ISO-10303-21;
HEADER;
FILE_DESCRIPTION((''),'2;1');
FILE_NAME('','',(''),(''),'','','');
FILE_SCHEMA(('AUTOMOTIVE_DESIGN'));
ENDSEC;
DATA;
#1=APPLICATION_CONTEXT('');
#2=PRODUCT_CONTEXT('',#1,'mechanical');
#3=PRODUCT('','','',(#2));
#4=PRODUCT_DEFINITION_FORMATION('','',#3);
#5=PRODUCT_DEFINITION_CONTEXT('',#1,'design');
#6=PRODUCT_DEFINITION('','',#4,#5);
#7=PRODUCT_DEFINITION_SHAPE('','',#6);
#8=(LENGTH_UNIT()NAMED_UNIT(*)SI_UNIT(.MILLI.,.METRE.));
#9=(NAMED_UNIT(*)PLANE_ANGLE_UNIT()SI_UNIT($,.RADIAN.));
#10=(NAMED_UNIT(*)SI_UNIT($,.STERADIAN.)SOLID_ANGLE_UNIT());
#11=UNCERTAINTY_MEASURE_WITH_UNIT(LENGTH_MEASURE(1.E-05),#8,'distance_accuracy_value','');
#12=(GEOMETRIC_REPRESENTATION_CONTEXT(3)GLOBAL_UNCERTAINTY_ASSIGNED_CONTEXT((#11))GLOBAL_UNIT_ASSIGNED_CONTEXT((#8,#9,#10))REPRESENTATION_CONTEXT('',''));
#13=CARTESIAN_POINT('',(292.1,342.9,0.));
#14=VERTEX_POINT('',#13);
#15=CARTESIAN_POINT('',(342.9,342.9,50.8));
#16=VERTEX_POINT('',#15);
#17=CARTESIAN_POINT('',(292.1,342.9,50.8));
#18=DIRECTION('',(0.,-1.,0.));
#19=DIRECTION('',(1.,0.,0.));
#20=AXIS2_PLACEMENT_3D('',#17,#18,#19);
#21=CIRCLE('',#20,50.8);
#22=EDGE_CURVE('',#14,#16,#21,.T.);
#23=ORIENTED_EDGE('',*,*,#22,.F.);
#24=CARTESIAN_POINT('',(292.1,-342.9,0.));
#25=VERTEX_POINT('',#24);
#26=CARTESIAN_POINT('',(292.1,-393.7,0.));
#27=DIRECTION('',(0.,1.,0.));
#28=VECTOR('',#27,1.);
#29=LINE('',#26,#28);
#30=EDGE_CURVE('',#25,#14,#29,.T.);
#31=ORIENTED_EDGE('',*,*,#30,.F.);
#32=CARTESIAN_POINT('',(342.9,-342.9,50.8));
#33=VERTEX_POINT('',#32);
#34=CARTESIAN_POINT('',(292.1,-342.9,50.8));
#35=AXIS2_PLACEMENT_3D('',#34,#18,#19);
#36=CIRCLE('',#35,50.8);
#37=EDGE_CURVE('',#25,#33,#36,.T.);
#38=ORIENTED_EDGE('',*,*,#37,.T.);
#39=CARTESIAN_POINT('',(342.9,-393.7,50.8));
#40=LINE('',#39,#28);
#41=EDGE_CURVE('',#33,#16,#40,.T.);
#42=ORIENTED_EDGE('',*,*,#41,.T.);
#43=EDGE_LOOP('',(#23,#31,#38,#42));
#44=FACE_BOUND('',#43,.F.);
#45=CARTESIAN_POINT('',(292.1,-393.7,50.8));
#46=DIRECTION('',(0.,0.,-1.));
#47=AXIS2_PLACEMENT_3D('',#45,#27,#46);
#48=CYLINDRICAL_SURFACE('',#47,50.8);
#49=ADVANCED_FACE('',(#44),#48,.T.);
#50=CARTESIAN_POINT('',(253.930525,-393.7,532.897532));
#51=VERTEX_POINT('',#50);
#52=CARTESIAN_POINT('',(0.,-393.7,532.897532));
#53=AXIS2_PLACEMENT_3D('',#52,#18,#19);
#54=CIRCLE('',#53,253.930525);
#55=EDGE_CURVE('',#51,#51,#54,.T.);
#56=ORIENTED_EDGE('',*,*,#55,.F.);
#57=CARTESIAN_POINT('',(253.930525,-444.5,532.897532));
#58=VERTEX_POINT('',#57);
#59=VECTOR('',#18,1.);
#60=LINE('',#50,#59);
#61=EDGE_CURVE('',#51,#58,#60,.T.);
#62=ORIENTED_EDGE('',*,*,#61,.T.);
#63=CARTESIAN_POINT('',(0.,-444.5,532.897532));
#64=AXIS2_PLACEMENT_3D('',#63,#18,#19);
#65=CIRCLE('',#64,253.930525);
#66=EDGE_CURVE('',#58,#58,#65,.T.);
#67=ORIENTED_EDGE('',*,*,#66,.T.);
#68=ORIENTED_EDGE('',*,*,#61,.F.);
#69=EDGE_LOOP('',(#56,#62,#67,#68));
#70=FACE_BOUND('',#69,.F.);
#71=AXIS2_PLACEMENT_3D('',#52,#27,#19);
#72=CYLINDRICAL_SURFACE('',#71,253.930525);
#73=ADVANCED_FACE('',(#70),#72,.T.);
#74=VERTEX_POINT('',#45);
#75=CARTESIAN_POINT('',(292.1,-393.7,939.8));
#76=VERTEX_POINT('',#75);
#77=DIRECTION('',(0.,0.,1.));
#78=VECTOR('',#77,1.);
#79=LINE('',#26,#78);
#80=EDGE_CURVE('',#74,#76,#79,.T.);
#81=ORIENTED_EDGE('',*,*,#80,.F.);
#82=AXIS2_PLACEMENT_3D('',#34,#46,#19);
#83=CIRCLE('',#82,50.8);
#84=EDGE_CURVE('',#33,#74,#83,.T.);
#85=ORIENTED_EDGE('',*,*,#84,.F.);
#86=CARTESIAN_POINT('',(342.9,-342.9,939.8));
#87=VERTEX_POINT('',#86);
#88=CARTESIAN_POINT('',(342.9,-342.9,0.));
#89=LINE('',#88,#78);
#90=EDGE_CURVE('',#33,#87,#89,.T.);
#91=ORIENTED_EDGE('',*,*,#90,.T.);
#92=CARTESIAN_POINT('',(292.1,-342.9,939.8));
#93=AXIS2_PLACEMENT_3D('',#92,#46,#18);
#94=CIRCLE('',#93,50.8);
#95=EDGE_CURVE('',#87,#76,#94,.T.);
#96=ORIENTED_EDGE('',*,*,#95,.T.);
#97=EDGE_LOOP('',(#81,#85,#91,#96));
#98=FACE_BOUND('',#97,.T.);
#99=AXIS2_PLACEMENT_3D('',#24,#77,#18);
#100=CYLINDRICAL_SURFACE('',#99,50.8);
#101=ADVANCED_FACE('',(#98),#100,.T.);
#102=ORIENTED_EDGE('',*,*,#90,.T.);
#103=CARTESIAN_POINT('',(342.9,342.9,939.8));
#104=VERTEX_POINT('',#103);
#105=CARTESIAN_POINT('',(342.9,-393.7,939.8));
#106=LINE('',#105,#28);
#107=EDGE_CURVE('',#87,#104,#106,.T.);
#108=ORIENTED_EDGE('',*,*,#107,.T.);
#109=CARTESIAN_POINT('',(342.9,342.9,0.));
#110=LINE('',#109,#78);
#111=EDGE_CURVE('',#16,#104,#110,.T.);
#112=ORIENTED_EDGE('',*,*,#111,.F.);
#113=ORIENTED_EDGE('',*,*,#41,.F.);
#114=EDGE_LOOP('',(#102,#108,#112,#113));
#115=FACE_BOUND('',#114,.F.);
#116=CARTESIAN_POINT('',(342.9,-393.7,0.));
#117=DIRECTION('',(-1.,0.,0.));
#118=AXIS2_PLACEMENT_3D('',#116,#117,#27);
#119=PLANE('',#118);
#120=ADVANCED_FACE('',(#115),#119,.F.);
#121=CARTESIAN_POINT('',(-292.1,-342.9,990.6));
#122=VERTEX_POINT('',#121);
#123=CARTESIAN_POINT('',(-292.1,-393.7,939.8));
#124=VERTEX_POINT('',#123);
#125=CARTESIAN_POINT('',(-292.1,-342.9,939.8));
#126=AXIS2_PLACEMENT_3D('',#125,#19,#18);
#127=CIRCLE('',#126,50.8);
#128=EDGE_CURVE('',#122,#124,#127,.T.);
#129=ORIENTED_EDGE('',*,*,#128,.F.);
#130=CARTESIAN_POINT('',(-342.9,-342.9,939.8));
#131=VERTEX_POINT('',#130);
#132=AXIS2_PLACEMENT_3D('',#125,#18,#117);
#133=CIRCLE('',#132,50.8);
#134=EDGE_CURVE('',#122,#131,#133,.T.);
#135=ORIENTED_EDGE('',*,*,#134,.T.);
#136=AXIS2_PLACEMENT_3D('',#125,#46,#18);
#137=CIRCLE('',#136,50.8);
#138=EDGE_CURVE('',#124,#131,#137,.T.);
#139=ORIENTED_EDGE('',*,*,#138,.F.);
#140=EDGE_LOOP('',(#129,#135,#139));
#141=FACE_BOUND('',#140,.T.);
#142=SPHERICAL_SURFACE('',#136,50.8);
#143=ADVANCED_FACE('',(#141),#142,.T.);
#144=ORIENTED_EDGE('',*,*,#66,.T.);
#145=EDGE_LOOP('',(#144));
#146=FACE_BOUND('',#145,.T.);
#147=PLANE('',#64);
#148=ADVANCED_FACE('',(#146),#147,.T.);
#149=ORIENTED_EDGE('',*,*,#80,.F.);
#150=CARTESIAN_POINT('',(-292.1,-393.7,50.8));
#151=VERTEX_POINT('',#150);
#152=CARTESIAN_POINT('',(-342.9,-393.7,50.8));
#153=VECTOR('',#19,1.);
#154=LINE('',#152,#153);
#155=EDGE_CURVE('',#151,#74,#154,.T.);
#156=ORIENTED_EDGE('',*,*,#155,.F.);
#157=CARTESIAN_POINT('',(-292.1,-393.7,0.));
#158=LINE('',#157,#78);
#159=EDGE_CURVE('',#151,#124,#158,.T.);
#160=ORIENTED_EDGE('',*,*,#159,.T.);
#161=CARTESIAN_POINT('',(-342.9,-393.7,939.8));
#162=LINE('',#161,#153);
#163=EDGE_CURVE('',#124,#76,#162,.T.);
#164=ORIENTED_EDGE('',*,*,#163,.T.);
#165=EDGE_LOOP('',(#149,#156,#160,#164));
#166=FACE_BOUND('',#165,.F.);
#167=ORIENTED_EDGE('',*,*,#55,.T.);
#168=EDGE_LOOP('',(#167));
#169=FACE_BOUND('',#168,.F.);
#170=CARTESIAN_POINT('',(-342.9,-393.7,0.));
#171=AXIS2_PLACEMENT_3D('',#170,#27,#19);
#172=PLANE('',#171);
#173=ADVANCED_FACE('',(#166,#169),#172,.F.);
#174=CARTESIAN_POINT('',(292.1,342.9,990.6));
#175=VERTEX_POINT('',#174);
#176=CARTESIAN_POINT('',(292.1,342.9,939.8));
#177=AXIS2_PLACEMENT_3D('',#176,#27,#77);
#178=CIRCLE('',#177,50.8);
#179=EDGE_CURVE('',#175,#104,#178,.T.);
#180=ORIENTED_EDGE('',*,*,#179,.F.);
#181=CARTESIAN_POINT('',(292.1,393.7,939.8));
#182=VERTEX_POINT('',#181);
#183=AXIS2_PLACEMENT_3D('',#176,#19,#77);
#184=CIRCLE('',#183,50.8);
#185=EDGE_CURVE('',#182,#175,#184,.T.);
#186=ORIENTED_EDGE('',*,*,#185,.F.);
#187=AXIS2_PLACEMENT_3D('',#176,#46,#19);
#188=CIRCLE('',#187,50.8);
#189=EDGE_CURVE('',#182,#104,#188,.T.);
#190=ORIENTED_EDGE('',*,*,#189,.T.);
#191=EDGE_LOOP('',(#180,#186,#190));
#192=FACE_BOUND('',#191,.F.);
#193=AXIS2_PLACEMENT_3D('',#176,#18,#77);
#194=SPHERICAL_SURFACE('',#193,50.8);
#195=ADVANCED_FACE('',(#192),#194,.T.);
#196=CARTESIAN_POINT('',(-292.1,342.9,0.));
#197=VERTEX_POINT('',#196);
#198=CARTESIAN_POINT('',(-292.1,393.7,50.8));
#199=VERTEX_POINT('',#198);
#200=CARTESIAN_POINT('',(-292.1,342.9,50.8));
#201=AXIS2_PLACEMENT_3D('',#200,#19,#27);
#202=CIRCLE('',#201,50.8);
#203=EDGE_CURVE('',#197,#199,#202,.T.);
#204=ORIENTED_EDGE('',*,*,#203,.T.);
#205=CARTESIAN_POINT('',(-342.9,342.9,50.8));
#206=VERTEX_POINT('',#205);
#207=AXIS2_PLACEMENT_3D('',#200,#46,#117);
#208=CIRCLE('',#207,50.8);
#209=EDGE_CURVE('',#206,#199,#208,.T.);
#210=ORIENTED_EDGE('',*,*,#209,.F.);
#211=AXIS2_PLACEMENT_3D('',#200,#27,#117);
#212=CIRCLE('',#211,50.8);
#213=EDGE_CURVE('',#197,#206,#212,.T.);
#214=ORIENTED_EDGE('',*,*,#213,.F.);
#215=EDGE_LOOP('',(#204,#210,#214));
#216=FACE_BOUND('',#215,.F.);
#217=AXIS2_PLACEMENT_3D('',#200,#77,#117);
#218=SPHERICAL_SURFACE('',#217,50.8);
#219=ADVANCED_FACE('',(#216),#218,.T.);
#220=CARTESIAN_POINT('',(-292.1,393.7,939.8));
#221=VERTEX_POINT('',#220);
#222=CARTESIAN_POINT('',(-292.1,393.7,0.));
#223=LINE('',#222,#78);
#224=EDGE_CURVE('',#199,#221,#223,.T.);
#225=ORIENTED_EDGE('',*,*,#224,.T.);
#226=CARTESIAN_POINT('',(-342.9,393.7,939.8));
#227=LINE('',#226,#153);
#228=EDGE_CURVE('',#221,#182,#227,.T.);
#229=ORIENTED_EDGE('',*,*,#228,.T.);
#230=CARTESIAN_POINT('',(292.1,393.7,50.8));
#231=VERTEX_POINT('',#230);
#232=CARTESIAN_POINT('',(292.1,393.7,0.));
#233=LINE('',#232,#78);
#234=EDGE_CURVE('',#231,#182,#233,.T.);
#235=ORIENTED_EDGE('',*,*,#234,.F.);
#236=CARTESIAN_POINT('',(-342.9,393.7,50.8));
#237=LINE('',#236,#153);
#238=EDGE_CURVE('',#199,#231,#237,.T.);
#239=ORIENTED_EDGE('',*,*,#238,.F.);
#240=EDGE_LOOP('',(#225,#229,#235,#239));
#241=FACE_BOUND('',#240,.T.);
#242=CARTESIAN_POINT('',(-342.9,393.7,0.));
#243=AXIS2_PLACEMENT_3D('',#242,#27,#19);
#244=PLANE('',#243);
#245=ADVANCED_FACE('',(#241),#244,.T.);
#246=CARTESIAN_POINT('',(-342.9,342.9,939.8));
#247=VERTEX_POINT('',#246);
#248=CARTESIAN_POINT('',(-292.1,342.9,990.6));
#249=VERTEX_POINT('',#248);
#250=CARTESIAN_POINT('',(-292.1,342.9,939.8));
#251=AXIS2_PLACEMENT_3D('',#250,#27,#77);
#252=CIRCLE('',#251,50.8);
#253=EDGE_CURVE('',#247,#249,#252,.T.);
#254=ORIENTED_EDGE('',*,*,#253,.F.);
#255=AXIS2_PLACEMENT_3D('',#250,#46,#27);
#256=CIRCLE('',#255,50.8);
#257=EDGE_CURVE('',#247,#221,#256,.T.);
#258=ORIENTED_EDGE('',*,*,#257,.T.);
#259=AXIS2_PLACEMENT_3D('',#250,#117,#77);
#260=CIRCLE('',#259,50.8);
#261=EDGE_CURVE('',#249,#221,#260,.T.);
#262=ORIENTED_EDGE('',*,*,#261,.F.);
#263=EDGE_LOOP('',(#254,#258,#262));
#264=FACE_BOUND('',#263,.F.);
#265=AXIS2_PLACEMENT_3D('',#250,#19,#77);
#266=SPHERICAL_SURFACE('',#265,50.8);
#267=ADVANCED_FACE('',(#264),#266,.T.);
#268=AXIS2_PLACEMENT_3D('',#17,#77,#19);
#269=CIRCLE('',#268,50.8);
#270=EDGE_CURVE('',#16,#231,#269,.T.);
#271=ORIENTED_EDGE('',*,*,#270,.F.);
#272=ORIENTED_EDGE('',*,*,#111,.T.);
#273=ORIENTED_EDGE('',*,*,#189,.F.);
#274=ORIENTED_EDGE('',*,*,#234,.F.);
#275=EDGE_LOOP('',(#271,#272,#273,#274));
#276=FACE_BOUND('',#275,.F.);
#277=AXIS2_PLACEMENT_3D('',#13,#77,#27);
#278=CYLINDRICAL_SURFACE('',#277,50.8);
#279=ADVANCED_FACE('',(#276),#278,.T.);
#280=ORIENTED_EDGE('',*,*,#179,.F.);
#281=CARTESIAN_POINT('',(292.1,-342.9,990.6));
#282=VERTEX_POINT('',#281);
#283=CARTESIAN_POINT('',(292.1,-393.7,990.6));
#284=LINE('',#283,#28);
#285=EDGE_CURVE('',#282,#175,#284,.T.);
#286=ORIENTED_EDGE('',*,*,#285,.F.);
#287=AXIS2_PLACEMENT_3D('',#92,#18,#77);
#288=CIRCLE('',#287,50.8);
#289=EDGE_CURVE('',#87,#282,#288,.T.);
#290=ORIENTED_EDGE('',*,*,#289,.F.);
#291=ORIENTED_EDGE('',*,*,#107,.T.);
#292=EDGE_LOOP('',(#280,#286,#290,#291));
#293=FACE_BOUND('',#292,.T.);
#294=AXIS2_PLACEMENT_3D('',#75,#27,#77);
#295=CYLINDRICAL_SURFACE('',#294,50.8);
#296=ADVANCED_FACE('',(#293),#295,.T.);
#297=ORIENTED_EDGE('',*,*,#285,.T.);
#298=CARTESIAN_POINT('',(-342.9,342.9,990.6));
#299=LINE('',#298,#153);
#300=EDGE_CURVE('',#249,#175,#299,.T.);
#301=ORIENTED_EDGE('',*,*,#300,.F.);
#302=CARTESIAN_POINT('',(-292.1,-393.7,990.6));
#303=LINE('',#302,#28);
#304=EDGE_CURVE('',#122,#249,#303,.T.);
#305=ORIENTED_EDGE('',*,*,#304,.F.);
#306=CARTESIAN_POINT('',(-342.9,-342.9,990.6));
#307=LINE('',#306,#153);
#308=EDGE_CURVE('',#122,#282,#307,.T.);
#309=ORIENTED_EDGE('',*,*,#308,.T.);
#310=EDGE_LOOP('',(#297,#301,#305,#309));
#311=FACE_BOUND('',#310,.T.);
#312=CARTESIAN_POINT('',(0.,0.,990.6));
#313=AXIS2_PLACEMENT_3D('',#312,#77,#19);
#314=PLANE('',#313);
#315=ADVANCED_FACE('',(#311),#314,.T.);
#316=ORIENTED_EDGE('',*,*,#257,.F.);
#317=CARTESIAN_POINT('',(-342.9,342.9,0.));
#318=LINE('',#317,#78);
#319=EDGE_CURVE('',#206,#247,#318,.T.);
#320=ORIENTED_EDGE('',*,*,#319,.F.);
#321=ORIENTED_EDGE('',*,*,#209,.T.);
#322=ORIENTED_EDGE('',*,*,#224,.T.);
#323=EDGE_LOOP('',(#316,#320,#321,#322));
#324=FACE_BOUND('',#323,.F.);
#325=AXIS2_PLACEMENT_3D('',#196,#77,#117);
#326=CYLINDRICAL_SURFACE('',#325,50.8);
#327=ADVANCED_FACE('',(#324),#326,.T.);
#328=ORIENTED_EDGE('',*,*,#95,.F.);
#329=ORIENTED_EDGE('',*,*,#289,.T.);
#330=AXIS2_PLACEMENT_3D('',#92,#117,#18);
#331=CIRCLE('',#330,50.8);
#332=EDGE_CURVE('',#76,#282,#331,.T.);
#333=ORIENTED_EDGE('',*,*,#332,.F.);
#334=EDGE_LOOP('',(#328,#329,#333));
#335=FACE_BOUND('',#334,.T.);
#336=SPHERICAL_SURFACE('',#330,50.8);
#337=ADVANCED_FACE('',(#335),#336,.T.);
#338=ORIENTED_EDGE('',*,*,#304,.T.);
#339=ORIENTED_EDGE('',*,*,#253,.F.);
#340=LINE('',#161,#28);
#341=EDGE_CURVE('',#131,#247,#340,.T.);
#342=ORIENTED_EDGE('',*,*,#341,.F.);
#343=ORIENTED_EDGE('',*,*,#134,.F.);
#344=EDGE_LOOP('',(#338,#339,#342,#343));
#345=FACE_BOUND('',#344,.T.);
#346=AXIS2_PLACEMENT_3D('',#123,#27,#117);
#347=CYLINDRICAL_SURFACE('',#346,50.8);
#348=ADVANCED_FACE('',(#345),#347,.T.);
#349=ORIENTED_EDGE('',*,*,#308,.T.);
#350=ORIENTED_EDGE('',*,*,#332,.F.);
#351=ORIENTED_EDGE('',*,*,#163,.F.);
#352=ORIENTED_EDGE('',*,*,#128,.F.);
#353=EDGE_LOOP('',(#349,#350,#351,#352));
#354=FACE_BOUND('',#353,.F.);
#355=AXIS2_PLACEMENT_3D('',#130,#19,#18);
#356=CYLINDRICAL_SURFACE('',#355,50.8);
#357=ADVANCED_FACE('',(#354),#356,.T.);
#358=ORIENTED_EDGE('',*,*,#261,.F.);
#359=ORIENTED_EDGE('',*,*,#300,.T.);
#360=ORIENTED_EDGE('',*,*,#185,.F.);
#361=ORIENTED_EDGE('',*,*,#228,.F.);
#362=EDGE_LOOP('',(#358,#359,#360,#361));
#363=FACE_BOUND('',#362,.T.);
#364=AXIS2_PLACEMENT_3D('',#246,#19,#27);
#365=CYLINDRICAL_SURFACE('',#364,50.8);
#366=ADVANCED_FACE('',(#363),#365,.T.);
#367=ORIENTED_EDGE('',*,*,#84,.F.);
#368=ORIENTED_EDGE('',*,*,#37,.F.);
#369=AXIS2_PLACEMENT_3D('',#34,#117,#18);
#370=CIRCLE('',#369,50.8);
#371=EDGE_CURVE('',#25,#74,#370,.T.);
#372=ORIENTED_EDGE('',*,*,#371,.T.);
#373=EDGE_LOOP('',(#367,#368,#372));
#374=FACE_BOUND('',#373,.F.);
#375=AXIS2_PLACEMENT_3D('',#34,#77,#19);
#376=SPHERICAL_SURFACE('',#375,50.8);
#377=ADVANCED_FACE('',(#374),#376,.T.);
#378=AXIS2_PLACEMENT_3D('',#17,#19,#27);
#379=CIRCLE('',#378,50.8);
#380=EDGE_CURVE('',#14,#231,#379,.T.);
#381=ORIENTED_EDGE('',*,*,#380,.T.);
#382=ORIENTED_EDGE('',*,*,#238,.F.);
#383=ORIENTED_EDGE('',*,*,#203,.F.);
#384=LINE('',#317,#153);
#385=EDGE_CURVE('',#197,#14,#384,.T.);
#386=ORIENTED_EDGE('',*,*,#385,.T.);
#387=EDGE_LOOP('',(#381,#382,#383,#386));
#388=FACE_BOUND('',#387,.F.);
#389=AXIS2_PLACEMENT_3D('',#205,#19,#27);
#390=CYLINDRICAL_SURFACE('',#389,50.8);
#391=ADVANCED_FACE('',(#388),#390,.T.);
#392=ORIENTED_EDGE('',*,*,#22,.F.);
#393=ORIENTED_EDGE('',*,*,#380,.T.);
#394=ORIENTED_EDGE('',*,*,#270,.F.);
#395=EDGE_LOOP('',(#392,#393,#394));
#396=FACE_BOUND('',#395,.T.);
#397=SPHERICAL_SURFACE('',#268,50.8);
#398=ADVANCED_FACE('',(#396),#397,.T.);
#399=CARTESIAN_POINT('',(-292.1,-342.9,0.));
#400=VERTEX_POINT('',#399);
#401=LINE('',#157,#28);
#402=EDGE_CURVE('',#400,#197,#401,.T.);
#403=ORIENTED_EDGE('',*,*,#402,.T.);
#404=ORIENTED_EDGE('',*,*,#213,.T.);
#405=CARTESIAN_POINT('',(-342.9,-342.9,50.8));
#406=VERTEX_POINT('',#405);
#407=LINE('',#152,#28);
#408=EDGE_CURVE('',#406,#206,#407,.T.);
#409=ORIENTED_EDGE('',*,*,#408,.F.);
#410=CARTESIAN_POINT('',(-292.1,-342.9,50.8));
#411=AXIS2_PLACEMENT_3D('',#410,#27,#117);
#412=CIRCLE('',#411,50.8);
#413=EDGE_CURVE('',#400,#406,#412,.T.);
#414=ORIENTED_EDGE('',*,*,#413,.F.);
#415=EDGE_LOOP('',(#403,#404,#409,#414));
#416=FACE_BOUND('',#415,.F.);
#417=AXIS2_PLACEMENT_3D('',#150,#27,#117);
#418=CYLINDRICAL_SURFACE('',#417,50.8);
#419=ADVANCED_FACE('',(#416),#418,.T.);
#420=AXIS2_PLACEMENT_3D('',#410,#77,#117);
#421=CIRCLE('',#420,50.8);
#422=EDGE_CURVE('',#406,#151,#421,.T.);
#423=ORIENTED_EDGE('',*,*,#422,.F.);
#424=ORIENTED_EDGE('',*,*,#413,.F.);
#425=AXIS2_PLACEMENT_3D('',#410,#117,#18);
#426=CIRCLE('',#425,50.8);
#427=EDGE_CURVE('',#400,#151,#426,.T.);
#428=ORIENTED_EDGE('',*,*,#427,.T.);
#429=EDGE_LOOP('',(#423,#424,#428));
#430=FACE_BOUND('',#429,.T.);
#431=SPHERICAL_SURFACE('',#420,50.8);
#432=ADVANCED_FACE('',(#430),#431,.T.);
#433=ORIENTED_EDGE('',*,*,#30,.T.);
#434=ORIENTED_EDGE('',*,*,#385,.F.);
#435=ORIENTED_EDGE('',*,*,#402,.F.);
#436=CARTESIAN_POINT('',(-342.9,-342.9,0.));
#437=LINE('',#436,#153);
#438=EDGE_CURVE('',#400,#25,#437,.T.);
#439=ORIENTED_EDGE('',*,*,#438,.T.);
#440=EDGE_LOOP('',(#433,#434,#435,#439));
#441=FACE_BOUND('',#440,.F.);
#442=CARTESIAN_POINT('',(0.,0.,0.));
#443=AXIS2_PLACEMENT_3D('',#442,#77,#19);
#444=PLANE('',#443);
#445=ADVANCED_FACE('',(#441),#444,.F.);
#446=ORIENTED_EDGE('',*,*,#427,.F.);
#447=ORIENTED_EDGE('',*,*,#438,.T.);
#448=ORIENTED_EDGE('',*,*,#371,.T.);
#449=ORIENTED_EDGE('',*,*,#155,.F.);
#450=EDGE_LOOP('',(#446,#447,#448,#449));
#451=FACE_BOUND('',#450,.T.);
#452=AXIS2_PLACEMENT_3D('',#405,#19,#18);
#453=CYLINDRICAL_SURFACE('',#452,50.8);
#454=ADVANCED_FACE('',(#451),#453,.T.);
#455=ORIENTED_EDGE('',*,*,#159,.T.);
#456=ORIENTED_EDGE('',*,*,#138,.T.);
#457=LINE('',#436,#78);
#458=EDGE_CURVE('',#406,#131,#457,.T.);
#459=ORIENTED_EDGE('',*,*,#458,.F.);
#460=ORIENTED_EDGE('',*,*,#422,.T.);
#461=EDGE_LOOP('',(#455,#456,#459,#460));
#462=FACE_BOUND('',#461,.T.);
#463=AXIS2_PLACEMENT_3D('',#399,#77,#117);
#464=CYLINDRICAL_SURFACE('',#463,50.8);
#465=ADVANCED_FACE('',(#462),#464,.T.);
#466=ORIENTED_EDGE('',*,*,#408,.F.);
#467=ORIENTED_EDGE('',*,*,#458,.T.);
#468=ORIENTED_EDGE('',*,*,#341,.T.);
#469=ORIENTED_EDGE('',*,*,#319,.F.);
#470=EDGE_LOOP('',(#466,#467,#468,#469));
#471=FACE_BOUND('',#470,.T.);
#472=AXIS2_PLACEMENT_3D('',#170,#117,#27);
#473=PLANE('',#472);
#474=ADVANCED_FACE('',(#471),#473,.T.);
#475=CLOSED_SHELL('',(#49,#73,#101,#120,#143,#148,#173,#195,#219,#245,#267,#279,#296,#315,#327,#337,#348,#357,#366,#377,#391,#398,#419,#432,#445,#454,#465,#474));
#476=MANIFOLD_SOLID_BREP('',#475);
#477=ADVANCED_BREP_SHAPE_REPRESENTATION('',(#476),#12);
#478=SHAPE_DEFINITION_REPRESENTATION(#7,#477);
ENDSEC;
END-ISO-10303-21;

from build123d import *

# Parameters (mm, degrees)
F0_W     = 685.8
F0_H     = 787.4
F1_DEPTH = 990.6
F2_R     = 253.930525
F3_DEPTH = 50.8
F4_R     = 50.8


with BuildPart() as f1:
    # F0 (on Top) → F1 (new body)
    with BuildSketch(Plane.XY):
        Rectangle(F0_W, F0_H)
    extrude(amount=F1_DEPTH)

    # F2 (on face) → F3 (join)
    with BuildSketch(Plane.XZ.offset(393.7)):
        with Locations((0, 532.897532)):
            Circle(F2_R)
    extrude(amount=F3_DEPTH)

    # F4
    f4_edges = [f1.edges().sort_by_distance(p)[0] for p in [
        (-342.9, -393.7, 495.3),
        (0, -393.7, 990.6),
        (342.9, -393.7, 495.3),
        (342.9, 0, 990.6),
        (0, 393.7, 990.6),
        (-342.9, 0, 990.6),
        (342.9, 393.7, 495.3),
        (342.9, 0, 0),
        (-342.9, 393.7, 495.3),
        (-342.9, 0, 0),
        (0, -393.7, 0),
        (0, 393.7, 0),
    ]]
    fillet(f4_edges, radius=F4_R)


solid = f1.part
